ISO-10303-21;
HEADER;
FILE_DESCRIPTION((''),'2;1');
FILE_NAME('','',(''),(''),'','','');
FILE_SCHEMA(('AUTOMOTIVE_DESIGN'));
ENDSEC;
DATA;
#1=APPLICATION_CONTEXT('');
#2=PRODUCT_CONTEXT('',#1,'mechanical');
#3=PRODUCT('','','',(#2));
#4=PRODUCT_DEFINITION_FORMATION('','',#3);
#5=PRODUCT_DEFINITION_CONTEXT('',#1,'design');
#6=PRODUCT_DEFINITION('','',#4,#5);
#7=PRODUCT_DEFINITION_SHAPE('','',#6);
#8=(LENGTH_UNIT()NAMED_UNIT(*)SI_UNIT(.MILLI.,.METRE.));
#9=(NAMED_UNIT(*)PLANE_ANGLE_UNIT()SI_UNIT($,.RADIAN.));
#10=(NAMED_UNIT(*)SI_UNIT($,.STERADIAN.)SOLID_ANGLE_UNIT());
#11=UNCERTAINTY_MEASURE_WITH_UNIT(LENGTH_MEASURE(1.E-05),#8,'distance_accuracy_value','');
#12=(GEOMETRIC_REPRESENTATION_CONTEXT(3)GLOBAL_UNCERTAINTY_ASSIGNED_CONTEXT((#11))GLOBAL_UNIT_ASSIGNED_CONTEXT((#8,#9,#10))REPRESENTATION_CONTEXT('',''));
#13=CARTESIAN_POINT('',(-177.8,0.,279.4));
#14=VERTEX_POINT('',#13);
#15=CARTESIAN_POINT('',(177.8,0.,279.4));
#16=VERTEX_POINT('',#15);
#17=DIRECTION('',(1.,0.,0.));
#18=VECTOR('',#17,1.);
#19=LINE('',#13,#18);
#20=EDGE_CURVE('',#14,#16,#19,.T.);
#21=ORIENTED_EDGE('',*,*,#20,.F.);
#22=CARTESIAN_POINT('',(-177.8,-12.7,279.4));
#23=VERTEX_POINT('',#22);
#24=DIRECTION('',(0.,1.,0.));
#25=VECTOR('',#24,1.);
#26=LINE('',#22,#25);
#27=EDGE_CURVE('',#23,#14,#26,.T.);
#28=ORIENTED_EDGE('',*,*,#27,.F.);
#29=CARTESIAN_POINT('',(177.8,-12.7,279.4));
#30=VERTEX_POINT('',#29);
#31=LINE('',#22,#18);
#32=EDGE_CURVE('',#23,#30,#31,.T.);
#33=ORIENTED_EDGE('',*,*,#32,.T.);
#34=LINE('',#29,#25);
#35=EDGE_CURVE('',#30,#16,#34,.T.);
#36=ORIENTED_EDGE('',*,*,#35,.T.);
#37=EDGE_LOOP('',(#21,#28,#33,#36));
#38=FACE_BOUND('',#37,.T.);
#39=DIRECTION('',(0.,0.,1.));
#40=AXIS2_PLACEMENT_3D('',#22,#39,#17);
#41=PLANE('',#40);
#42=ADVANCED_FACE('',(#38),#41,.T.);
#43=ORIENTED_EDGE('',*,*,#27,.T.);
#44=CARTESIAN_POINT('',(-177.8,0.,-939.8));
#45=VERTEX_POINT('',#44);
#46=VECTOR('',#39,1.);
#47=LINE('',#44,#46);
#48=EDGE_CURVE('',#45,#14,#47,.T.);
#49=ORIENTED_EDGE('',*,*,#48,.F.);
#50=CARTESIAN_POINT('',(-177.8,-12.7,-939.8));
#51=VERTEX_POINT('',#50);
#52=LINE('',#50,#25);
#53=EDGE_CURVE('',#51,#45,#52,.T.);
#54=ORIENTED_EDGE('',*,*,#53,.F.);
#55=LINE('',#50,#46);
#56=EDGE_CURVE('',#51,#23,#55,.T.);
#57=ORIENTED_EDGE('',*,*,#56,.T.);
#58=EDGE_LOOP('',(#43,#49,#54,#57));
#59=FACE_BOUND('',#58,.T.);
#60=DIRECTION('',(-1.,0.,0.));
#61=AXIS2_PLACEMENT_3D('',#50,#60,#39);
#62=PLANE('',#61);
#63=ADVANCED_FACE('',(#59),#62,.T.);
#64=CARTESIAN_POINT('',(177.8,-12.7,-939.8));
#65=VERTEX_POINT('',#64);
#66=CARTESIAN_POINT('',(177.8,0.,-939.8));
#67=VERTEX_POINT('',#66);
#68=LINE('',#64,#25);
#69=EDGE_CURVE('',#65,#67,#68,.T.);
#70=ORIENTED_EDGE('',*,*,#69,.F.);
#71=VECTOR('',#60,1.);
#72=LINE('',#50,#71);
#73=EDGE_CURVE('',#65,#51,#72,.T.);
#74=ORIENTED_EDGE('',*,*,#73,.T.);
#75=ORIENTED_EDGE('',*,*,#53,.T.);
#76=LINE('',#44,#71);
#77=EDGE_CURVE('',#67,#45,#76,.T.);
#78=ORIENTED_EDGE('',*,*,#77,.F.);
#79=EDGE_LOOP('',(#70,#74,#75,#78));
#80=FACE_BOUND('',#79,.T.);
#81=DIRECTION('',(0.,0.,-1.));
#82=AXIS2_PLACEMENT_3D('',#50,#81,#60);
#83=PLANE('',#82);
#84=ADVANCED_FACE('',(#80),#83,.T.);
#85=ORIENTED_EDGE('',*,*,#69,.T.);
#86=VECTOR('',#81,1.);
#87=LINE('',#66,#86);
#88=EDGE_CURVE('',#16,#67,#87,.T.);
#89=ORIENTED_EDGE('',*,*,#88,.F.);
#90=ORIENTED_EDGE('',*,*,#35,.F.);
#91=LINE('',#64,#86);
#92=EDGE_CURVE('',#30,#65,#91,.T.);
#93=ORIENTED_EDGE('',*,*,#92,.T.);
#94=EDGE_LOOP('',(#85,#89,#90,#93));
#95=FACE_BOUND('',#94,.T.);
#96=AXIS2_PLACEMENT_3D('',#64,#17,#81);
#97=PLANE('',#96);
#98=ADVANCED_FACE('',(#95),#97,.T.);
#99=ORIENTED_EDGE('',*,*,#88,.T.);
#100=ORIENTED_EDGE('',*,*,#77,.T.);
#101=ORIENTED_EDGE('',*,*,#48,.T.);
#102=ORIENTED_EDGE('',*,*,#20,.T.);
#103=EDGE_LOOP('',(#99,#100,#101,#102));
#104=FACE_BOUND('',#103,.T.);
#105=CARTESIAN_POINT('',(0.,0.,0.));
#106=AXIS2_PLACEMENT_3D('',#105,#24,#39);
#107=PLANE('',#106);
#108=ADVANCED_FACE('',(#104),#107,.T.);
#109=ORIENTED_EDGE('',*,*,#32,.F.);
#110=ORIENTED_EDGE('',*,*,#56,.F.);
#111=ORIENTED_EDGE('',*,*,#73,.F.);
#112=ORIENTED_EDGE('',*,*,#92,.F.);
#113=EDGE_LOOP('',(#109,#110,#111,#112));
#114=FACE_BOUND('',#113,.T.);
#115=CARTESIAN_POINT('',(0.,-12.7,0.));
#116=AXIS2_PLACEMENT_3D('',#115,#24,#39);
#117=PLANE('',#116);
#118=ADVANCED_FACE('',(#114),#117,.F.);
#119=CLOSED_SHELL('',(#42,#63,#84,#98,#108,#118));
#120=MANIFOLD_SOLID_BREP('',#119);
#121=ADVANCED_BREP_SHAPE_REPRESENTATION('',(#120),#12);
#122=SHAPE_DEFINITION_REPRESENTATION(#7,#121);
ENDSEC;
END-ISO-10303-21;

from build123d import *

# Parameters (mm, degrees)
SKETCH1_W           = 355.6
SKETCH1_H           = 1219.2
BOSS_EXTRUDE1_DEPTH = 12.7


with BuildPart() as part:
    # Sketch1 → Boss-Extrude1 (new body)
    with BuildSketch(Plane(origin=(0, 0, 0), x_dir=(1, 0, 0), z_dir=(0, 1, 0))):
        with Locations((0, 330.2)):
            Rectangle(SKETCH1_W, SKETCH1_H)
    extrude(amount=-BOSS_EXTRUDE1_DEPTH)


solid = part.part
